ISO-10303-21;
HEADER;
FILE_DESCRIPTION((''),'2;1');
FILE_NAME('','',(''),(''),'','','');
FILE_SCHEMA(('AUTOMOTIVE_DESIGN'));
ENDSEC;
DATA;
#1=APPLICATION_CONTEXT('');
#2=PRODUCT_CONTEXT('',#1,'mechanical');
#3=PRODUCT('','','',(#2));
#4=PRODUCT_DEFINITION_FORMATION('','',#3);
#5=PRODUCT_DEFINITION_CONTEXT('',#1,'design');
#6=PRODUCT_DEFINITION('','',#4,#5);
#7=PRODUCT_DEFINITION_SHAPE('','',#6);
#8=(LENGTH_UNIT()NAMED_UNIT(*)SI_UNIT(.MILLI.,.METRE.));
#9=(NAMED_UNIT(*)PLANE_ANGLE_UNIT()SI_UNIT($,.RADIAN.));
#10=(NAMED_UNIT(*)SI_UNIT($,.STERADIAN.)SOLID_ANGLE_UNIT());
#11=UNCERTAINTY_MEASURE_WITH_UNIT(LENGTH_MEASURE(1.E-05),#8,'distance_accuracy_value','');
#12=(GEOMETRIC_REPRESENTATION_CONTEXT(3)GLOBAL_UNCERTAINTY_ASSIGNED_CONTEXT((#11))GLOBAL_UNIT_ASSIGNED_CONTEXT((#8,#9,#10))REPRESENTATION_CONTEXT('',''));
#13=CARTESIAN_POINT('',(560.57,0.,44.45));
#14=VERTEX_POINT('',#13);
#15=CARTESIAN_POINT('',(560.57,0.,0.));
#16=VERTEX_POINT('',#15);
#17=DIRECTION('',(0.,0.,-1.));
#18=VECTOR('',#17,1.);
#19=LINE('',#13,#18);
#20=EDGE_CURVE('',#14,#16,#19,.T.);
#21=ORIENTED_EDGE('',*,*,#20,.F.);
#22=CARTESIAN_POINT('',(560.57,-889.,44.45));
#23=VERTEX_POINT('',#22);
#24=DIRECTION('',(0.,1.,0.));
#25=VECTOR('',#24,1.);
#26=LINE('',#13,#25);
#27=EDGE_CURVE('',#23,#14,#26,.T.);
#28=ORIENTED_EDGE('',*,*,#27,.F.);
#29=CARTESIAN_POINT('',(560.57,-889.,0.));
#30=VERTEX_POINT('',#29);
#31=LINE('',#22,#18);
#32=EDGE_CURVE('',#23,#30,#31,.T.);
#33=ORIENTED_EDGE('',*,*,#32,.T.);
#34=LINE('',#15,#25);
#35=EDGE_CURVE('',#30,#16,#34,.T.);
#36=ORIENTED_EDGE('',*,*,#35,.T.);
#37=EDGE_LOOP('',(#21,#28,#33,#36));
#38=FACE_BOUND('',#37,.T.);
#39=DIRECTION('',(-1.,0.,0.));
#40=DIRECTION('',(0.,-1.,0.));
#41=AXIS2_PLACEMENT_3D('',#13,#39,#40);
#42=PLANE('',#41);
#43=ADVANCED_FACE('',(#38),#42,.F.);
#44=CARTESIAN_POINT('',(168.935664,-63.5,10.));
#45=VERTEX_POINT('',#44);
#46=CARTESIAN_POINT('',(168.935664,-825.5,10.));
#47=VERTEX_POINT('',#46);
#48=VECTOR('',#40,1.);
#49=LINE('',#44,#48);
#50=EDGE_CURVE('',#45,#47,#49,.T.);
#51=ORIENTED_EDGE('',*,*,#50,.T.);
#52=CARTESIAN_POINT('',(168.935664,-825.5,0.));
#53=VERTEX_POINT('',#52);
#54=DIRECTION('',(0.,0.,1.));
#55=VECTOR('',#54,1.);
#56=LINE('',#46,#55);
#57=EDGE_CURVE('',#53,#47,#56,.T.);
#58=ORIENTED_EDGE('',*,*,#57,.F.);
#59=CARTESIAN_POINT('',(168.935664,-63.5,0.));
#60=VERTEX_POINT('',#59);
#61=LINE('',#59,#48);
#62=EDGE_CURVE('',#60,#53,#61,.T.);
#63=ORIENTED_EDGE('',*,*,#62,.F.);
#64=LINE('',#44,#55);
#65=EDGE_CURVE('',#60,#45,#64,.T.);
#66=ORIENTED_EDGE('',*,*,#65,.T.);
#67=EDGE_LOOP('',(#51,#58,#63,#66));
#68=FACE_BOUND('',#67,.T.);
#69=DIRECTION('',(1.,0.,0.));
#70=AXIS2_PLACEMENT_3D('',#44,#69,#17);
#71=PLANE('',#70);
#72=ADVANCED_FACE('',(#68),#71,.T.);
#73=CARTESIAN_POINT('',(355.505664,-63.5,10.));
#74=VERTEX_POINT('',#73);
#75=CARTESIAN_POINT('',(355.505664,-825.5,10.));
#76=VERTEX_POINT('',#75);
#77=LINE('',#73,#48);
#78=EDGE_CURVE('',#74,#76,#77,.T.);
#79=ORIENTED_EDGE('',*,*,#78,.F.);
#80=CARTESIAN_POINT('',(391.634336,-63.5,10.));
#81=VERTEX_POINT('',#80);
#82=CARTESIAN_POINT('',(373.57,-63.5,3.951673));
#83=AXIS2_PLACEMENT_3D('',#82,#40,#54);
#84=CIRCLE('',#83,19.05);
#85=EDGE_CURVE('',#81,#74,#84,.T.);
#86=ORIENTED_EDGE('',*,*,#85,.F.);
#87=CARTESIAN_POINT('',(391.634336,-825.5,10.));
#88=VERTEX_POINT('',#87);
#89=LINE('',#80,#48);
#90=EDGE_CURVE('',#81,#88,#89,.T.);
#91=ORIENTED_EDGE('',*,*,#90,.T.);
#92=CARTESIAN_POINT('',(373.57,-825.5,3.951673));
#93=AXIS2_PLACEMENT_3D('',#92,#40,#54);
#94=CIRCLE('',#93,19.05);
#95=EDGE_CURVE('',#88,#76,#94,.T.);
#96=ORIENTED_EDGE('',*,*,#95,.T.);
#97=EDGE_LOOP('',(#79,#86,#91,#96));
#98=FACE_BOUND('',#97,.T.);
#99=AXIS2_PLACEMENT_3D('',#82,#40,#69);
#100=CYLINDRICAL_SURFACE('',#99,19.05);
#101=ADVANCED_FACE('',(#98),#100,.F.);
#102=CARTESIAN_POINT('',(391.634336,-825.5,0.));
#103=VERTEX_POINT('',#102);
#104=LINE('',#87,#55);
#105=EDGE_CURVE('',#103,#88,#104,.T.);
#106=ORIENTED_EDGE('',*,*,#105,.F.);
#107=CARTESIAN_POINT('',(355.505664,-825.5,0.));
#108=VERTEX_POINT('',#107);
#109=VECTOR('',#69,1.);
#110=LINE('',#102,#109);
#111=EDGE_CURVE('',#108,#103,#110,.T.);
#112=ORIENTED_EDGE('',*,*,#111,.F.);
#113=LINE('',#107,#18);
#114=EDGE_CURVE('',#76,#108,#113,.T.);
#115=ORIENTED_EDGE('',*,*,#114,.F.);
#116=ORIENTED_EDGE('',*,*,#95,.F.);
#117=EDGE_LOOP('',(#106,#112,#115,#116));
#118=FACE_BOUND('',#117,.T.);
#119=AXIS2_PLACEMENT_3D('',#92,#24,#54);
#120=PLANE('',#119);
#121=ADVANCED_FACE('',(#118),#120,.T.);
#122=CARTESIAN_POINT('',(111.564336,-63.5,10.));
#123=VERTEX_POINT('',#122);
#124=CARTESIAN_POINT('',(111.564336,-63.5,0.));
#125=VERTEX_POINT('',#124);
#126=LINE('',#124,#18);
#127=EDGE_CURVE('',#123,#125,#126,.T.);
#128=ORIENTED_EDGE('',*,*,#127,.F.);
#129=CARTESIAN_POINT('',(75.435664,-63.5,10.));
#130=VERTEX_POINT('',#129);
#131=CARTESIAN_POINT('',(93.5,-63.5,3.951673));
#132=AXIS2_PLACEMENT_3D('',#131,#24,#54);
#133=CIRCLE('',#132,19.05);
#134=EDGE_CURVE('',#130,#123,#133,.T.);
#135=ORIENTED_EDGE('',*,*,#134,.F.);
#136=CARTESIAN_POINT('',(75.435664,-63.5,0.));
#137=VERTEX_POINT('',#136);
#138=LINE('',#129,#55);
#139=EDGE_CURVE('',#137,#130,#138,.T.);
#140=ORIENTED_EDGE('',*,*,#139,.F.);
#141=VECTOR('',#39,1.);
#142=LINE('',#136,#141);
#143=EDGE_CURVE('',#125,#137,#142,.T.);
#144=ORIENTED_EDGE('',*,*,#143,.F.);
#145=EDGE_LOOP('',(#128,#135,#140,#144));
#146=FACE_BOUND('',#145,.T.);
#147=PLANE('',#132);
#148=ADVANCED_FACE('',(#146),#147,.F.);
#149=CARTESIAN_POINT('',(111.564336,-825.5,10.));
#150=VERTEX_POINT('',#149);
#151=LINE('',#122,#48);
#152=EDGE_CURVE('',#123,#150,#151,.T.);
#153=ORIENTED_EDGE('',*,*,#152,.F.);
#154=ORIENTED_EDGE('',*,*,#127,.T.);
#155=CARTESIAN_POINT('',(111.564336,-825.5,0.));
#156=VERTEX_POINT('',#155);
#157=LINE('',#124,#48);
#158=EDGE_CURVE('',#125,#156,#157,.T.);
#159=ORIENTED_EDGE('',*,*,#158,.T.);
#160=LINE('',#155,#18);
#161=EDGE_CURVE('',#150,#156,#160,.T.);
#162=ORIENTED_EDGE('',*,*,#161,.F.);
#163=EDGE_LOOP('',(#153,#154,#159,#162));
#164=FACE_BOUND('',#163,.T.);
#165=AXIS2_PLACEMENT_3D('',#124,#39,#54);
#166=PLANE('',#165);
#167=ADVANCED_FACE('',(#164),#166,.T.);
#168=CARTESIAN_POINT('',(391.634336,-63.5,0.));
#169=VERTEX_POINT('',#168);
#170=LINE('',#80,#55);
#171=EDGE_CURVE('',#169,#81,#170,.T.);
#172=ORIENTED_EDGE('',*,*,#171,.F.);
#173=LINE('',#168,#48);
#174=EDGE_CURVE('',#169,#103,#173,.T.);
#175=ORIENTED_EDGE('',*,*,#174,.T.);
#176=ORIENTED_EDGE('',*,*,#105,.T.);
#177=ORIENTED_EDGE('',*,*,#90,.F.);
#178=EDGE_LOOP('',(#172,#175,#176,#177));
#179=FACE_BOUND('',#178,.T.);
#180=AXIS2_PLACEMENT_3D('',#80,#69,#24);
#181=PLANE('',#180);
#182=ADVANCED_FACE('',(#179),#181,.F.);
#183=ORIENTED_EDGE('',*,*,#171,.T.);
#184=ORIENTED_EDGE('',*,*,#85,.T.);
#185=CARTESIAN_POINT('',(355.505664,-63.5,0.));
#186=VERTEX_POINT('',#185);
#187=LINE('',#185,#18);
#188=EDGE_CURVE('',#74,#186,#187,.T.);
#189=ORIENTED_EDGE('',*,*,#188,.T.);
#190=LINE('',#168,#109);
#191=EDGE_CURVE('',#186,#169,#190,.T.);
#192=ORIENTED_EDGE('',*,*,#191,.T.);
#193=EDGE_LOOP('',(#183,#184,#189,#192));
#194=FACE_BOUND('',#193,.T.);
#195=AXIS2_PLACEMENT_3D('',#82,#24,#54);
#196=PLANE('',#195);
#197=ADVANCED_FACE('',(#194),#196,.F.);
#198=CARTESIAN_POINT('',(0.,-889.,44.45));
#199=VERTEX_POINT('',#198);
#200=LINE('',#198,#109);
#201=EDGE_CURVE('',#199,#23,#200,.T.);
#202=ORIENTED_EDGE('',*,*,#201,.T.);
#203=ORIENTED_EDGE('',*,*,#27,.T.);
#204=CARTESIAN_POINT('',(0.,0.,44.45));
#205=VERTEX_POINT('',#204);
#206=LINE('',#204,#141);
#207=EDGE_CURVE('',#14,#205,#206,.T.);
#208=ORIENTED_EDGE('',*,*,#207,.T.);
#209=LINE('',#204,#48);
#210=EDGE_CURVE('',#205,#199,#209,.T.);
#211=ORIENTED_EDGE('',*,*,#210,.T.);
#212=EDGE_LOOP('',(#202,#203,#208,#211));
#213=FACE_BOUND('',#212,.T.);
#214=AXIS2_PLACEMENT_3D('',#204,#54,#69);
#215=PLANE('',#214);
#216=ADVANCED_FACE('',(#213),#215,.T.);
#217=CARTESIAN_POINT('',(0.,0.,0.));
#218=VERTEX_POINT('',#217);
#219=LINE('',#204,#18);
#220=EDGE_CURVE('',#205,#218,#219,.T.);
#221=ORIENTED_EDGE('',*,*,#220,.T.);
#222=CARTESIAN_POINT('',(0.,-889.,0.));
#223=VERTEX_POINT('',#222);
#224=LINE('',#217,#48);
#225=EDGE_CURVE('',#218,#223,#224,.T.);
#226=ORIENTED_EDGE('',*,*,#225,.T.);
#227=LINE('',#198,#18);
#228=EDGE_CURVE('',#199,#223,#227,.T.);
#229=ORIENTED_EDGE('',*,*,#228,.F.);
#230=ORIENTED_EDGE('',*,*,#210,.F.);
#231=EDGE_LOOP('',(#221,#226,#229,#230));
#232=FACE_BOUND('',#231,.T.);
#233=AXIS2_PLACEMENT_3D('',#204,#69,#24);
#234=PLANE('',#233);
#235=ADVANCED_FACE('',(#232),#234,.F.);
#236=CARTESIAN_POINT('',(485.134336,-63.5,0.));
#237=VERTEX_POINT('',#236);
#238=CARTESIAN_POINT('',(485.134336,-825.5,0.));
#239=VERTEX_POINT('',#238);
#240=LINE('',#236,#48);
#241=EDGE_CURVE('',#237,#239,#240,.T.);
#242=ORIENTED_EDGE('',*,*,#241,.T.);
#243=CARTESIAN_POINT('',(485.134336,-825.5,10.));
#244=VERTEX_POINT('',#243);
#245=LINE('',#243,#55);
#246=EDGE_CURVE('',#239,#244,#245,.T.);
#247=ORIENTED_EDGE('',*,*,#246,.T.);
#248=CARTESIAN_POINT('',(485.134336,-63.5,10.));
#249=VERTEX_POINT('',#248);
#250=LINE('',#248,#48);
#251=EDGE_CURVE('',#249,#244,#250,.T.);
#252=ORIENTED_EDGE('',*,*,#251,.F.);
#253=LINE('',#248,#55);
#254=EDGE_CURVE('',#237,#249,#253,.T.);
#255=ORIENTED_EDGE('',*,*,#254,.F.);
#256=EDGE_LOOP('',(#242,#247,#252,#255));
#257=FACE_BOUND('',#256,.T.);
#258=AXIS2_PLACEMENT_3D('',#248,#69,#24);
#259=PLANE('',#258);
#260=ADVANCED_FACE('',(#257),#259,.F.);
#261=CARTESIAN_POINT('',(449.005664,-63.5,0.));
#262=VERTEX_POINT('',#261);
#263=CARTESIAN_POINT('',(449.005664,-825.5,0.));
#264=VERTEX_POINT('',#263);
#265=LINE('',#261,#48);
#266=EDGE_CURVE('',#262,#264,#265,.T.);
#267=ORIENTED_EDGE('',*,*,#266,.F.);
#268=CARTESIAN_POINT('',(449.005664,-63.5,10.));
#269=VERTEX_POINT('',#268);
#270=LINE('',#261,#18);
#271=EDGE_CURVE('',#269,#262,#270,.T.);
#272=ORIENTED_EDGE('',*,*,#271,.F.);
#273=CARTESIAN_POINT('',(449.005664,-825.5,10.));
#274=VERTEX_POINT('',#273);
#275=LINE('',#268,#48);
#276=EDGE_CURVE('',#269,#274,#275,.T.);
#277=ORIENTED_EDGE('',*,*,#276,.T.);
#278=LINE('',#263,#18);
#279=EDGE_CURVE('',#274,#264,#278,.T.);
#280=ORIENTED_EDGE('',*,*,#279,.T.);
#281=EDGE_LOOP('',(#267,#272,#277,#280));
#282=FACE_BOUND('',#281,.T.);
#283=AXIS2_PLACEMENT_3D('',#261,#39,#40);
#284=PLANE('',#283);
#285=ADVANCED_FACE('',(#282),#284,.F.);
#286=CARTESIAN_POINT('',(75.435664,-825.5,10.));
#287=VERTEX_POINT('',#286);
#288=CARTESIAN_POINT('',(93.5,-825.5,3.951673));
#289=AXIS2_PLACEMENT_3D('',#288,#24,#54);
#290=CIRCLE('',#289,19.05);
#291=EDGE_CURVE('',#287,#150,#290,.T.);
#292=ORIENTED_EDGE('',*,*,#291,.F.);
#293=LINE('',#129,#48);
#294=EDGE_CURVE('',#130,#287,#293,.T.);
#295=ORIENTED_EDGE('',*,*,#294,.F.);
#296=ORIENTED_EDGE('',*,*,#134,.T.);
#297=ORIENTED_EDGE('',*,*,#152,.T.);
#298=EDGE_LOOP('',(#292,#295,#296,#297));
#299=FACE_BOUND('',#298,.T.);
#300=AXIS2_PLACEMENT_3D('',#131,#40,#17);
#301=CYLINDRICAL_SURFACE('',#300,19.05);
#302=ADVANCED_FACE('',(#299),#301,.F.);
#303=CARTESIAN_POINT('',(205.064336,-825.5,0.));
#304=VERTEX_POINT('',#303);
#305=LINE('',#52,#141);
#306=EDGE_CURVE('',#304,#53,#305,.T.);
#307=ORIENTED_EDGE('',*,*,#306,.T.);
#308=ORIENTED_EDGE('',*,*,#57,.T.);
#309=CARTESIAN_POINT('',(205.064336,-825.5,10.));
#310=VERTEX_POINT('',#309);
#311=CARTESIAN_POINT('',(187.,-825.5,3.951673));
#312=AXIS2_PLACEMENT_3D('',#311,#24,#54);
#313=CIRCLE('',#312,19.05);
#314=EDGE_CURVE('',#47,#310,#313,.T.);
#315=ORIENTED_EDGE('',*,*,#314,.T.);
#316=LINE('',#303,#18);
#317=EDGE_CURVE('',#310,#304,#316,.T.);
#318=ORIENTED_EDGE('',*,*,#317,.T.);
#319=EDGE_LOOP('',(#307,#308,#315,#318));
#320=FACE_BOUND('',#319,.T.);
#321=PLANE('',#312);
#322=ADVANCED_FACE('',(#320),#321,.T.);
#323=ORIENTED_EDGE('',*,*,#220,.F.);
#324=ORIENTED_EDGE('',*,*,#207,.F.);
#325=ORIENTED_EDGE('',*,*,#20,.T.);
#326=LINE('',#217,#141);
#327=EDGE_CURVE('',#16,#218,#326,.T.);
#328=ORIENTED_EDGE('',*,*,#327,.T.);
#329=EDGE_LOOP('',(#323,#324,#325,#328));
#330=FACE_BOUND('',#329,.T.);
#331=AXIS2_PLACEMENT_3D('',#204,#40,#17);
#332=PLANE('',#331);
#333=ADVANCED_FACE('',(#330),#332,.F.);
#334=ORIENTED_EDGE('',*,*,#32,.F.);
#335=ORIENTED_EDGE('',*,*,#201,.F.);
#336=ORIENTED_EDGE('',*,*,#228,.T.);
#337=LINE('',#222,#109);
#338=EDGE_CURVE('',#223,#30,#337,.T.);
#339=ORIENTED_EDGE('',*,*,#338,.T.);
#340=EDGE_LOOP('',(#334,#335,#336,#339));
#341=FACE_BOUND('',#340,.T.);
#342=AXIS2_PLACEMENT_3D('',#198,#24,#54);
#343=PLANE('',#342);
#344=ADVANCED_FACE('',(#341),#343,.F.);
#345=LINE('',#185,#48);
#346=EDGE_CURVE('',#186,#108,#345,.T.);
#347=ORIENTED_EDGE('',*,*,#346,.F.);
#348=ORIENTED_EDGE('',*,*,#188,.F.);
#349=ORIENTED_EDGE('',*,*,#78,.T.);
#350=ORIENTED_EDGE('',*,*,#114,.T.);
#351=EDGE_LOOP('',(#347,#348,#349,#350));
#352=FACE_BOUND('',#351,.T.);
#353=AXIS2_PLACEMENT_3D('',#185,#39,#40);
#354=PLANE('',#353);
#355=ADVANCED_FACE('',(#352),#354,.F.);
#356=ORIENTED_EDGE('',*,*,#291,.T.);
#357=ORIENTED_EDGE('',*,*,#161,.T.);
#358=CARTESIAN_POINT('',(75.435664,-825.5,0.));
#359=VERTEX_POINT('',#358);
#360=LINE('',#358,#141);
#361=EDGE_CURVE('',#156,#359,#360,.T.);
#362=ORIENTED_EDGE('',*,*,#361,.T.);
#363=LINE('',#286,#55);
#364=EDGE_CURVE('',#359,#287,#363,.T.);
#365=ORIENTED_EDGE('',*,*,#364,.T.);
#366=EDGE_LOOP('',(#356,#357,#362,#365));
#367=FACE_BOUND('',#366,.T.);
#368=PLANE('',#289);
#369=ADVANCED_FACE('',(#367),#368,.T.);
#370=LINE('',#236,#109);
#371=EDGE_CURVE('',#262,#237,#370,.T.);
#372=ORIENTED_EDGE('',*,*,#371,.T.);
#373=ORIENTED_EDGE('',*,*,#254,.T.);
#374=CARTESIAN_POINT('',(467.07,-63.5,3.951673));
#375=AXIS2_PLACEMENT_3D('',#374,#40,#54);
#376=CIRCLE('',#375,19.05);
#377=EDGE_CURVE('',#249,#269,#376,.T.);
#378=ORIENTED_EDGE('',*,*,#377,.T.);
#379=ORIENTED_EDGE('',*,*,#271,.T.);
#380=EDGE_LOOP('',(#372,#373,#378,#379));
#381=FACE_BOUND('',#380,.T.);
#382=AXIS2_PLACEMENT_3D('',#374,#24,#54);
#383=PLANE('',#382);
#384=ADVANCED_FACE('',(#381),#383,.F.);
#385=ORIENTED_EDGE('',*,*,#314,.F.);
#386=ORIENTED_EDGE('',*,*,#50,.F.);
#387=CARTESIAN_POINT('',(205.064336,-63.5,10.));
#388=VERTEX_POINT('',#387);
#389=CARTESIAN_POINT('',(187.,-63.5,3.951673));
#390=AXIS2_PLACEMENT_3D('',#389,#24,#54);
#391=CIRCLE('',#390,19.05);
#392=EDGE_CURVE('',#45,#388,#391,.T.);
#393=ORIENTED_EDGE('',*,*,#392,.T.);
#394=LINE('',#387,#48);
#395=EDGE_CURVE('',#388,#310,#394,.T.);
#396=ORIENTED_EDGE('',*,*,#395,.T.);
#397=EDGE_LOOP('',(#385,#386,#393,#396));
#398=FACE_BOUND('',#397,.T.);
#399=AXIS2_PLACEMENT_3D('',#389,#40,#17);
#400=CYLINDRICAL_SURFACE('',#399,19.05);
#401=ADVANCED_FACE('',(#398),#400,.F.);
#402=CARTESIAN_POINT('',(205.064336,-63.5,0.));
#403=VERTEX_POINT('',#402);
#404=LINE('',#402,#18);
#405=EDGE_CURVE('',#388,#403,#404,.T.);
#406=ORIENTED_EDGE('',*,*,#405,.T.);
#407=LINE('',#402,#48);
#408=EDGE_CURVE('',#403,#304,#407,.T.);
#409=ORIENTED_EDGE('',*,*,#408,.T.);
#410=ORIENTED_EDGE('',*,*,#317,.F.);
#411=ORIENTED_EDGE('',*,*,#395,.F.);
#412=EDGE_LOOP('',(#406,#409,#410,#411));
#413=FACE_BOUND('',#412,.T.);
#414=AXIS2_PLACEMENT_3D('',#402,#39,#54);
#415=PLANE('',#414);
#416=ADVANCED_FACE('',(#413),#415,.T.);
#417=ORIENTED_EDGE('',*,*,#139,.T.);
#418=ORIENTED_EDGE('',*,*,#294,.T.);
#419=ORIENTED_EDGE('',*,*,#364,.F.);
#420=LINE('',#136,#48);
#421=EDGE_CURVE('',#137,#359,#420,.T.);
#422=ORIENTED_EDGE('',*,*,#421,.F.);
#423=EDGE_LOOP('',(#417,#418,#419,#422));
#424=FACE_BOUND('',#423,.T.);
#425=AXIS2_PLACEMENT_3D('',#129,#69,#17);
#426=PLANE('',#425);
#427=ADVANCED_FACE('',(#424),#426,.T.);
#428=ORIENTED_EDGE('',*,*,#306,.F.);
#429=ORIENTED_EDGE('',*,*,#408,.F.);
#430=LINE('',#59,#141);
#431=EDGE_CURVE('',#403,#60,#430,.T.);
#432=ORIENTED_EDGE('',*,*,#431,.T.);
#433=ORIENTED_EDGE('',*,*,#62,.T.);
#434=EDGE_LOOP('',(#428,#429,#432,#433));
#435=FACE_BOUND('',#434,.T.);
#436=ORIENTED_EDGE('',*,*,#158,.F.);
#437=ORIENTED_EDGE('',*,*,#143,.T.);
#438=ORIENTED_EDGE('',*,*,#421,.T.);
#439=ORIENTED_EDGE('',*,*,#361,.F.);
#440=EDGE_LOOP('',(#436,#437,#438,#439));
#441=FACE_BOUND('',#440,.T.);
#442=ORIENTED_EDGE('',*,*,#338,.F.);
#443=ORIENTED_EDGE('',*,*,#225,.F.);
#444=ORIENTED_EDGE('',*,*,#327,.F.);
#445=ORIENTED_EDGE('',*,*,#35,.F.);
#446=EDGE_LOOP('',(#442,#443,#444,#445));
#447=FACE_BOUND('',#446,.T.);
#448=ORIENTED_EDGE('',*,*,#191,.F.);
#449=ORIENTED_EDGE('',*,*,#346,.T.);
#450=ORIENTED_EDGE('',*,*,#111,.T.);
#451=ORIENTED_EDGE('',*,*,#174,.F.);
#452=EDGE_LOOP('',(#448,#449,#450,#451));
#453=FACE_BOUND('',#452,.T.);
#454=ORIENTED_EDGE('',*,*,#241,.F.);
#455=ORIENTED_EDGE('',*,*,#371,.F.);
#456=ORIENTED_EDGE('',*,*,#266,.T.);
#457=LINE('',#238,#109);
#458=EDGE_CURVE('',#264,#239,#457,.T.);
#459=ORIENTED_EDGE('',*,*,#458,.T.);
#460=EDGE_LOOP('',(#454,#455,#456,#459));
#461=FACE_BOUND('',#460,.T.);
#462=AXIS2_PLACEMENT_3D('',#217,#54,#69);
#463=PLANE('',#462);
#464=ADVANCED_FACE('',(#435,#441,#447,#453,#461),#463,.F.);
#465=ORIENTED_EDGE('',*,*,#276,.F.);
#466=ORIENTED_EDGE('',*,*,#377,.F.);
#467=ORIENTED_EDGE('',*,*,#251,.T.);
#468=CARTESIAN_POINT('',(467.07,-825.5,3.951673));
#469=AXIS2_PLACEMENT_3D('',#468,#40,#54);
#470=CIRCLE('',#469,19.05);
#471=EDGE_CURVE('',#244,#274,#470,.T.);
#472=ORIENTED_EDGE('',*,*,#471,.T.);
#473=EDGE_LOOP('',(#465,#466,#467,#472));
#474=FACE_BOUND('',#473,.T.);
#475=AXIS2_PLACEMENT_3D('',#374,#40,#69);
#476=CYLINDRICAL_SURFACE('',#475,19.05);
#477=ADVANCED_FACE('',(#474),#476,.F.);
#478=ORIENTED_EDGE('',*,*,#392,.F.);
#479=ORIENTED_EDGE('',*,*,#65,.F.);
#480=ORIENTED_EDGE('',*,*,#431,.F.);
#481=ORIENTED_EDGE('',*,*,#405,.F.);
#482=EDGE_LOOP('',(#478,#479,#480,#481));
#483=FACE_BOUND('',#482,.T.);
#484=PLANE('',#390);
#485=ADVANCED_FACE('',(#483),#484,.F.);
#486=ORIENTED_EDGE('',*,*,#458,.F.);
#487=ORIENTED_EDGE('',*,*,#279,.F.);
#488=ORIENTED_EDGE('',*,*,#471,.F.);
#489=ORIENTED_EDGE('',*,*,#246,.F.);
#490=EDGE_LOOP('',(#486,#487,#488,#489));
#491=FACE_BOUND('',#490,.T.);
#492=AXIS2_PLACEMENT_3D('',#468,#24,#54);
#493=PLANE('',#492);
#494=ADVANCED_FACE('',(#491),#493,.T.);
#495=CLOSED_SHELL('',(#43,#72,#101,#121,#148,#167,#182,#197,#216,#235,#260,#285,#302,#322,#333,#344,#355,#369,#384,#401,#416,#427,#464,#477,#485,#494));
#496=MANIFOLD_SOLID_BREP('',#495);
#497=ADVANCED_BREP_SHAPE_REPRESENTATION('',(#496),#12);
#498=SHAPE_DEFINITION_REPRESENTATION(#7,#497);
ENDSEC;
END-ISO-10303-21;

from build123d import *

# Parameters (mm, degrees)
SKETCH1_W           = 560.57
SKETCH1_H           = 889
BOSS_EXTRUDE1_DEPTH = 44.45
CUT_EXTRUDE2_DEPTH  = 381


with BuildPart() as part:
    # Sketch1 → Boss-Extrude1 (new body)
    with BuildSketch(Plane.XY):
        with Locations((280.285, -444.5)):
            Rectangle(SKETCH1_W, SKETCH1_H)
    extrude(amount=BOSS_EXTRUDE1_DEPTH)

    # Sketch2 → Cut-Extrude2 (cut, symmetric)
    with BuildSketch(Plane(origin=(0, -444.5, 0), x_dir=(1, 0, 0), z_dir=(0, 1, 0))):
        with BuildLine():
            Line((75.435663802, -10), (75.435663802, 0))
            Line((75.435663802, 0), (111.564336198, 0))
            Line((111.564336198, 0), (111.564336198, -10))
            ThreePointArc((111.564336198, -10), (93.5, -23.001673148), (75.435663802, -10))
        make_face()
        with BuildLine():
            Line((168.935663802, -10), (168.935663802, 0))
            Line((168.935663802, 0), (205.064336198, 0))
            Line((205.064336198, 0), (205.064336198, -10))
            ThreePointArc((205.064336198, -10), (187, -23.001673148), (168.935663802, -10))
        make_face()
    cut_extrude2 = extrude(amount=CUT_EXTRUDE2_DEPTH, both=True, mode=Mode.SUBTRACT)

    # Mirror1: Cut-Extrude2 across plane
    add(cut_extrude2.mirror(Plane.ZY.offset(-280.285)), mode=Mode.SUBTRACT)


solid = part.part
